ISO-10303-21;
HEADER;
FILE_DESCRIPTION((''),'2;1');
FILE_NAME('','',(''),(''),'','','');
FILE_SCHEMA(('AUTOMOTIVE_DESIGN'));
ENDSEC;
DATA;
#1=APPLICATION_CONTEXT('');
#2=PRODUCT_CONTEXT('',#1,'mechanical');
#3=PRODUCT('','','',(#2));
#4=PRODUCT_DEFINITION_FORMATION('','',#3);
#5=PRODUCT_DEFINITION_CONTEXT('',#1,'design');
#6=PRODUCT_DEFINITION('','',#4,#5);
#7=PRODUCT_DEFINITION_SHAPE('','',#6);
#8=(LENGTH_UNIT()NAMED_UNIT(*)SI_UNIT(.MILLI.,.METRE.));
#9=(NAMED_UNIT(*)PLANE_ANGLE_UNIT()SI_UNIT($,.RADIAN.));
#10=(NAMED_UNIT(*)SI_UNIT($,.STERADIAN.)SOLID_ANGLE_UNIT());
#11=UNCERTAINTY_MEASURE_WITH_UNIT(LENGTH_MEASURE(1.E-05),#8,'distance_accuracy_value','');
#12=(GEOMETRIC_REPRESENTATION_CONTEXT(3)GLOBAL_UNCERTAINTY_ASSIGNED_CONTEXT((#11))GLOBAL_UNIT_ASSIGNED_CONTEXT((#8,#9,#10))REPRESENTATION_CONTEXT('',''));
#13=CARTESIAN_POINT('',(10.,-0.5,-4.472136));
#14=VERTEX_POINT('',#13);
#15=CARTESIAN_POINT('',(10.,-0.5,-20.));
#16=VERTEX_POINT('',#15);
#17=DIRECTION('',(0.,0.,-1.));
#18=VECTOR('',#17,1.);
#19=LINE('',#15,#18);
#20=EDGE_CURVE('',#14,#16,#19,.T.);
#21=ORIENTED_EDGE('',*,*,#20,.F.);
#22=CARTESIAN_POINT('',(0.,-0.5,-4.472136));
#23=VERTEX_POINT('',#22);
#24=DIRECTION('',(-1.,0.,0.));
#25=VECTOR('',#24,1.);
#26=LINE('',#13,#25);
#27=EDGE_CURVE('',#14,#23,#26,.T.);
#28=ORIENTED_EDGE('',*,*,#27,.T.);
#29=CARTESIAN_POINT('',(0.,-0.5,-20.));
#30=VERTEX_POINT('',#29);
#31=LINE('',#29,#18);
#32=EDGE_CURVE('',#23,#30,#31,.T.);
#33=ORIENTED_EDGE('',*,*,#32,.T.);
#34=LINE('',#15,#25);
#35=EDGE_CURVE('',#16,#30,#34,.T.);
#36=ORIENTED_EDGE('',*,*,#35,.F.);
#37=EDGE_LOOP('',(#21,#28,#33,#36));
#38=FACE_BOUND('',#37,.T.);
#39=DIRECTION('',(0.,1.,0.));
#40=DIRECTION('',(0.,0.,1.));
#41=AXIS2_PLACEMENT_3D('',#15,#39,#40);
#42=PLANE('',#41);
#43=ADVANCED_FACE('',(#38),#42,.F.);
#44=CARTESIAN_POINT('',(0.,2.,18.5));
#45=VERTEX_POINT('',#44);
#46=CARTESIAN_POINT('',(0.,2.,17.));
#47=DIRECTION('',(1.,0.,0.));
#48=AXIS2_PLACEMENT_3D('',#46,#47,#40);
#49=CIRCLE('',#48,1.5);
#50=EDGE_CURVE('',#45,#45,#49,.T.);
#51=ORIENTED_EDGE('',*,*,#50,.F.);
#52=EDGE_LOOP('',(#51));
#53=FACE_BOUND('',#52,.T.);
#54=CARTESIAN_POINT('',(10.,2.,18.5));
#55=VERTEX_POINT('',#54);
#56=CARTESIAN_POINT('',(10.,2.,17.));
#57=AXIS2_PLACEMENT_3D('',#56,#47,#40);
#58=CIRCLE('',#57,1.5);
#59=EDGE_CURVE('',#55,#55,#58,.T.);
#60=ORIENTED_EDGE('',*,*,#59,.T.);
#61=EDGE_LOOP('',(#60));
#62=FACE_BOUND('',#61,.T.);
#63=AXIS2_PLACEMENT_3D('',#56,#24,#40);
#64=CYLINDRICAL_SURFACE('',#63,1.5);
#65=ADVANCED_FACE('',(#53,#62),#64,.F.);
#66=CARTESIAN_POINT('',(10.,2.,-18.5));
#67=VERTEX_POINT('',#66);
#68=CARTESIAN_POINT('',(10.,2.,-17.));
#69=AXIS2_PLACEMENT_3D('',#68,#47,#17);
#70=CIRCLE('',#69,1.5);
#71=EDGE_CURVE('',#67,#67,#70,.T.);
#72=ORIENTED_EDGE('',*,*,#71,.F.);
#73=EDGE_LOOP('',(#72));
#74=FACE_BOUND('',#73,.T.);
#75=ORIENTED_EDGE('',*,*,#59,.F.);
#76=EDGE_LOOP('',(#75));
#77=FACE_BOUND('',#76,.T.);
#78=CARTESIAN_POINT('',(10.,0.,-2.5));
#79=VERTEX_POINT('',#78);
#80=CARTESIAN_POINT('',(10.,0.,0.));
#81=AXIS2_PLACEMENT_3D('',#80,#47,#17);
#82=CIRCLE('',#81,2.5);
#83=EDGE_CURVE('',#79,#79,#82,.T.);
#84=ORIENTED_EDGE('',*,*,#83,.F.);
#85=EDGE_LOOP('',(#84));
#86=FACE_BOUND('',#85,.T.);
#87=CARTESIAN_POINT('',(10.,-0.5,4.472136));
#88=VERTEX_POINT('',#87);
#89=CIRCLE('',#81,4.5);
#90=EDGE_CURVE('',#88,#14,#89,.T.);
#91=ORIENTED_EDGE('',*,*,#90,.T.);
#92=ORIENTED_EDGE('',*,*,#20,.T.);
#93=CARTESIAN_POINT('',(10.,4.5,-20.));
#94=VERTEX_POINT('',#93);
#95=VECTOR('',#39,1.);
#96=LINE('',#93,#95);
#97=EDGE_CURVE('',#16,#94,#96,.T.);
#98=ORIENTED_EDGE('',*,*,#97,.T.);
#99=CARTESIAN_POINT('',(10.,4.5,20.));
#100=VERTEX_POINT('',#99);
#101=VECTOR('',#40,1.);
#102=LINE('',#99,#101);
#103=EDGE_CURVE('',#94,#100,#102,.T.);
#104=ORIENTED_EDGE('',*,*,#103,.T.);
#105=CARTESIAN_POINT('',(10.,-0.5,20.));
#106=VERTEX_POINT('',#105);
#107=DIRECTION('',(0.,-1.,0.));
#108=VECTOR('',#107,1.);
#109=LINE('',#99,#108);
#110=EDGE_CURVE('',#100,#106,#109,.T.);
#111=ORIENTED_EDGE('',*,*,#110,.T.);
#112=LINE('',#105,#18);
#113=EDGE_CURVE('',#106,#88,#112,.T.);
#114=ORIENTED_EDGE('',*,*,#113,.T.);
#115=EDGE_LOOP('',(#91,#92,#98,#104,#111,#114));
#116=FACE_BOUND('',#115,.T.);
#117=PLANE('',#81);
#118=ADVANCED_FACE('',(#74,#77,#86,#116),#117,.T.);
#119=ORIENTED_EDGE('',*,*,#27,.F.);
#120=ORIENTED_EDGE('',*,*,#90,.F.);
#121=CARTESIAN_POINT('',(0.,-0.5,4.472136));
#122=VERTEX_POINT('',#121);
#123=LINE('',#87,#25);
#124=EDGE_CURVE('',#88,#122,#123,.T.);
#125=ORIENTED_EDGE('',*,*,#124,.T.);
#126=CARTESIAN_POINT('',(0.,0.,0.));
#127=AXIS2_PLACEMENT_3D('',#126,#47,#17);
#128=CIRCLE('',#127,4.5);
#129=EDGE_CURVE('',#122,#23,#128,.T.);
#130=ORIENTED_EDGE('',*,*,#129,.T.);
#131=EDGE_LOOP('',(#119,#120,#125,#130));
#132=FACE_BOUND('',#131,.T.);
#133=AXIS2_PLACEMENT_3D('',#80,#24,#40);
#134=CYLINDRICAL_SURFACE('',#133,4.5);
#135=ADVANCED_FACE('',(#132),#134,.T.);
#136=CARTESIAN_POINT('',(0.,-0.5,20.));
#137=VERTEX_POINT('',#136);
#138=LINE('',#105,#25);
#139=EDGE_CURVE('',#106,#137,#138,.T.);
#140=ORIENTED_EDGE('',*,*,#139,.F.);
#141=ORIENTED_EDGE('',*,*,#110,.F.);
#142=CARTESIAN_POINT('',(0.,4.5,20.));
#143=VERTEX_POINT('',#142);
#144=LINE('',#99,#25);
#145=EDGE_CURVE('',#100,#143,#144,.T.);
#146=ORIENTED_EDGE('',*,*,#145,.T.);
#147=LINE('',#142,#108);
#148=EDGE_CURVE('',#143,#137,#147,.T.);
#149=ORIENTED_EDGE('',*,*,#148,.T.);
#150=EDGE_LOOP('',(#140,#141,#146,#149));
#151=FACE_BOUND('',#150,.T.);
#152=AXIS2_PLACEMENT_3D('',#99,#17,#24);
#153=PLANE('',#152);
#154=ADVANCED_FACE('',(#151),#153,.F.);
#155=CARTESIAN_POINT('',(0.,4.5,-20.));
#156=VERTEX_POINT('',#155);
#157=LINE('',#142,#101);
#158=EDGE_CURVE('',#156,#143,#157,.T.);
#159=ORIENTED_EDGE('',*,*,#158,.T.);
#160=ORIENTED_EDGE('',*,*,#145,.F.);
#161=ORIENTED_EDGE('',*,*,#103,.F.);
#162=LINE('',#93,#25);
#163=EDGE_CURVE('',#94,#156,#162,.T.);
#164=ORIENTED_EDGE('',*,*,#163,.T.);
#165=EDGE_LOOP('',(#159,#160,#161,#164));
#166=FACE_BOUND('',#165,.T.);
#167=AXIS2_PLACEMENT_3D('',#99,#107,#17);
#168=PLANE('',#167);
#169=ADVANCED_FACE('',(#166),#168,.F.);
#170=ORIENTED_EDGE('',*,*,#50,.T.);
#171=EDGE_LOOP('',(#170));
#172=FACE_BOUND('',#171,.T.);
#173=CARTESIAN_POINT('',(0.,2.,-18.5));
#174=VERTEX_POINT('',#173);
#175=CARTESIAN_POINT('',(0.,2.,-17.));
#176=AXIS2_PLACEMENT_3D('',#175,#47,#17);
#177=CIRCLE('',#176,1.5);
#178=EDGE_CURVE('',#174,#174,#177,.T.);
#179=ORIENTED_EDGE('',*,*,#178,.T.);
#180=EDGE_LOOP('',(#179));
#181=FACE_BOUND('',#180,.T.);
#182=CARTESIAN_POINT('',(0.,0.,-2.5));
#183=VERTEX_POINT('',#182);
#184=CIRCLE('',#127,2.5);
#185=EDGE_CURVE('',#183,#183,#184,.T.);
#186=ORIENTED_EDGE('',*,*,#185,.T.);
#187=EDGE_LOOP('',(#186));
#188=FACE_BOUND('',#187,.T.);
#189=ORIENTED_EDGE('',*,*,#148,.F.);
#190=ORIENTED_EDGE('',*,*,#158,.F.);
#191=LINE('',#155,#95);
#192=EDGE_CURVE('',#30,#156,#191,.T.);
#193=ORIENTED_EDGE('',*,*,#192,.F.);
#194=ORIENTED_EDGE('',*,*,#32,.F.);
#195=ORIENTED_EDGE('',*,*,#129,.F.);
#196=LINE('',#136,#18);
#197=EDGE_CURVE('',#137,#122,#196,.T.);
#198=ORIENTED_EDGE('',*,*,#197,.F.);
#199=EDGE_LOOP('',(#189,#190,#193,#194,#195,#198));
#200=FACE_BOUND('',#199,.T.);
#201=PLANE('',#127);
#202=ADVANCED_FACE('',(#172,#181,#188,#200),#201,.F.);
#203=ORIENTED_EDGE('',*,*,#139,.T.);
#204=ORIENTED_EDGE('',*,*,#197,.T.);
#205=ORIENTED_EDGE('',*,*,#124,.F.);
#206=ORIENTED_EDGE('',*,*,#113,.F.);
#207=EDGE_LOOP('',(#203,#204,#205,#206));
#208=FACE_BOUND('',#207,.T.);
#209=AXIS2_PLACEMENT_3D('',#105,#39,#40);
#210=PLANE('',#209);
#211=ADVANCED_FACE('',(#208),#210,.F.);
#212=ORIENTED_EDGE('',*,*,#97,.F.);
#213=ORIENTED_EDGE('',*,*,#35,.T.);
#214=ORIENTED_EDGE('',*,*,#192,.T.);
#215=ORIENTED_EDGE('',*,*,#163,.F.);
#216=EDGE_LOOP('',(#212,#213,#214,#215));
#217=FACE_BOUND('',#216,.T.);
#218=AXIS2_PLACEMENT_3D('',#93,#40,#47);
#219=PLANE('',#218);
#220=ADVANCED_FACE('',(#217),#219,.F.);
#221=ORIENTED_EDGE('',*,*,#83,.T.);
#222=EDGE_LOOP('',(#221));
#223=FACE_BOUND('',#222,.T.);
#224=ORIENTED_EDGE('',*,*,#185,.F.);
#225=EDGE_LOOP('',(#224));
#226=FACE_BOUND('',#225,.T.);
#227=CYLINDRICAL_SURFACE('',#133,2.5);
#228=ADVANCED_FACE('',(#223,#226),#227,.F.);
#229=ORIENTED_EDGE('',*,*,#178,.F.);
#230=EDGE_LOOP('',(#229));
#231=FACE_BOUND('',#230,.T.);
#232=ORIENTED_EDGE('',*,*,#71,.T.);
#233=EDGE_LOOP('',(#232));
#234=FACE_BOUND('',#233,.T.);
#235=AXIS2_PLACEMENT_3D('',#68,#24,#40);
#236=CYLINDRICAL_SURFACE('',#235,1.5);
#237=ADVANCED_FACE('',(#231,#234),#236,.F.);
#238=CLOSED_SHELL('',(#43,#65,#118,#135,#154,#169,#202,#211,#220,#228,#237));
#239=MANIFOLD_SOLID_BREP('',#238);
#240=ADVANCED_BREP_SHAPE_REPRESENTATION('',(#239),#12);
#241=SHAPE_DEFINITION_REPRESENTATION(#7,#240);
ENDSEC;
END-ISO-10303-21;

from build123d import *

# Parameters (mm, degrees)
SZKIC1_R                    = 2.5
SZKIC1_R_2                  = 1.5
DODANIE_WYCI_GNI_CIE1_DEPTH = 10


with BuildPart() as part:
    # Szkic1 → Dodanie-wyciągnięcie1 (new body)
    with BuildSketch(Plane(origin=(0, 0, 0), x_dir=(0, 0, -1), z_dir=(1, 0, 0))):
        with BuildLine():
            Line((-20, 4.5), (20, 4.5))
            Line((20, 4.5), (20, -0.5))
            Line((20, -0.5), (4.472135955, -0.5))
            ThreePointArc((4.472135955, -0.5), (0, -4.5), (-4.472135955, -0.5))
            Line((-4.472135955, -0.5), (-20, -0.5))
            Line((-20, -0.5), (-20, 4.5))
        make_face()
        Circle(SZKIC1_R, mode=Mode.SUBTRACT)
        with Locations((17, 2)):
            Circle(SZKIC1_R_2, mode=Mode.SUBTRACT)
        with Locations(Location((-17, 2, 0), (0, 0, 180))):
            Circle(SZKIC1_R_2, mode=Mode.SUBTRACT)
    extrude(amount=DODANIE_WYCI_GNI_CIE1_DEPTH)


solid = part.part
